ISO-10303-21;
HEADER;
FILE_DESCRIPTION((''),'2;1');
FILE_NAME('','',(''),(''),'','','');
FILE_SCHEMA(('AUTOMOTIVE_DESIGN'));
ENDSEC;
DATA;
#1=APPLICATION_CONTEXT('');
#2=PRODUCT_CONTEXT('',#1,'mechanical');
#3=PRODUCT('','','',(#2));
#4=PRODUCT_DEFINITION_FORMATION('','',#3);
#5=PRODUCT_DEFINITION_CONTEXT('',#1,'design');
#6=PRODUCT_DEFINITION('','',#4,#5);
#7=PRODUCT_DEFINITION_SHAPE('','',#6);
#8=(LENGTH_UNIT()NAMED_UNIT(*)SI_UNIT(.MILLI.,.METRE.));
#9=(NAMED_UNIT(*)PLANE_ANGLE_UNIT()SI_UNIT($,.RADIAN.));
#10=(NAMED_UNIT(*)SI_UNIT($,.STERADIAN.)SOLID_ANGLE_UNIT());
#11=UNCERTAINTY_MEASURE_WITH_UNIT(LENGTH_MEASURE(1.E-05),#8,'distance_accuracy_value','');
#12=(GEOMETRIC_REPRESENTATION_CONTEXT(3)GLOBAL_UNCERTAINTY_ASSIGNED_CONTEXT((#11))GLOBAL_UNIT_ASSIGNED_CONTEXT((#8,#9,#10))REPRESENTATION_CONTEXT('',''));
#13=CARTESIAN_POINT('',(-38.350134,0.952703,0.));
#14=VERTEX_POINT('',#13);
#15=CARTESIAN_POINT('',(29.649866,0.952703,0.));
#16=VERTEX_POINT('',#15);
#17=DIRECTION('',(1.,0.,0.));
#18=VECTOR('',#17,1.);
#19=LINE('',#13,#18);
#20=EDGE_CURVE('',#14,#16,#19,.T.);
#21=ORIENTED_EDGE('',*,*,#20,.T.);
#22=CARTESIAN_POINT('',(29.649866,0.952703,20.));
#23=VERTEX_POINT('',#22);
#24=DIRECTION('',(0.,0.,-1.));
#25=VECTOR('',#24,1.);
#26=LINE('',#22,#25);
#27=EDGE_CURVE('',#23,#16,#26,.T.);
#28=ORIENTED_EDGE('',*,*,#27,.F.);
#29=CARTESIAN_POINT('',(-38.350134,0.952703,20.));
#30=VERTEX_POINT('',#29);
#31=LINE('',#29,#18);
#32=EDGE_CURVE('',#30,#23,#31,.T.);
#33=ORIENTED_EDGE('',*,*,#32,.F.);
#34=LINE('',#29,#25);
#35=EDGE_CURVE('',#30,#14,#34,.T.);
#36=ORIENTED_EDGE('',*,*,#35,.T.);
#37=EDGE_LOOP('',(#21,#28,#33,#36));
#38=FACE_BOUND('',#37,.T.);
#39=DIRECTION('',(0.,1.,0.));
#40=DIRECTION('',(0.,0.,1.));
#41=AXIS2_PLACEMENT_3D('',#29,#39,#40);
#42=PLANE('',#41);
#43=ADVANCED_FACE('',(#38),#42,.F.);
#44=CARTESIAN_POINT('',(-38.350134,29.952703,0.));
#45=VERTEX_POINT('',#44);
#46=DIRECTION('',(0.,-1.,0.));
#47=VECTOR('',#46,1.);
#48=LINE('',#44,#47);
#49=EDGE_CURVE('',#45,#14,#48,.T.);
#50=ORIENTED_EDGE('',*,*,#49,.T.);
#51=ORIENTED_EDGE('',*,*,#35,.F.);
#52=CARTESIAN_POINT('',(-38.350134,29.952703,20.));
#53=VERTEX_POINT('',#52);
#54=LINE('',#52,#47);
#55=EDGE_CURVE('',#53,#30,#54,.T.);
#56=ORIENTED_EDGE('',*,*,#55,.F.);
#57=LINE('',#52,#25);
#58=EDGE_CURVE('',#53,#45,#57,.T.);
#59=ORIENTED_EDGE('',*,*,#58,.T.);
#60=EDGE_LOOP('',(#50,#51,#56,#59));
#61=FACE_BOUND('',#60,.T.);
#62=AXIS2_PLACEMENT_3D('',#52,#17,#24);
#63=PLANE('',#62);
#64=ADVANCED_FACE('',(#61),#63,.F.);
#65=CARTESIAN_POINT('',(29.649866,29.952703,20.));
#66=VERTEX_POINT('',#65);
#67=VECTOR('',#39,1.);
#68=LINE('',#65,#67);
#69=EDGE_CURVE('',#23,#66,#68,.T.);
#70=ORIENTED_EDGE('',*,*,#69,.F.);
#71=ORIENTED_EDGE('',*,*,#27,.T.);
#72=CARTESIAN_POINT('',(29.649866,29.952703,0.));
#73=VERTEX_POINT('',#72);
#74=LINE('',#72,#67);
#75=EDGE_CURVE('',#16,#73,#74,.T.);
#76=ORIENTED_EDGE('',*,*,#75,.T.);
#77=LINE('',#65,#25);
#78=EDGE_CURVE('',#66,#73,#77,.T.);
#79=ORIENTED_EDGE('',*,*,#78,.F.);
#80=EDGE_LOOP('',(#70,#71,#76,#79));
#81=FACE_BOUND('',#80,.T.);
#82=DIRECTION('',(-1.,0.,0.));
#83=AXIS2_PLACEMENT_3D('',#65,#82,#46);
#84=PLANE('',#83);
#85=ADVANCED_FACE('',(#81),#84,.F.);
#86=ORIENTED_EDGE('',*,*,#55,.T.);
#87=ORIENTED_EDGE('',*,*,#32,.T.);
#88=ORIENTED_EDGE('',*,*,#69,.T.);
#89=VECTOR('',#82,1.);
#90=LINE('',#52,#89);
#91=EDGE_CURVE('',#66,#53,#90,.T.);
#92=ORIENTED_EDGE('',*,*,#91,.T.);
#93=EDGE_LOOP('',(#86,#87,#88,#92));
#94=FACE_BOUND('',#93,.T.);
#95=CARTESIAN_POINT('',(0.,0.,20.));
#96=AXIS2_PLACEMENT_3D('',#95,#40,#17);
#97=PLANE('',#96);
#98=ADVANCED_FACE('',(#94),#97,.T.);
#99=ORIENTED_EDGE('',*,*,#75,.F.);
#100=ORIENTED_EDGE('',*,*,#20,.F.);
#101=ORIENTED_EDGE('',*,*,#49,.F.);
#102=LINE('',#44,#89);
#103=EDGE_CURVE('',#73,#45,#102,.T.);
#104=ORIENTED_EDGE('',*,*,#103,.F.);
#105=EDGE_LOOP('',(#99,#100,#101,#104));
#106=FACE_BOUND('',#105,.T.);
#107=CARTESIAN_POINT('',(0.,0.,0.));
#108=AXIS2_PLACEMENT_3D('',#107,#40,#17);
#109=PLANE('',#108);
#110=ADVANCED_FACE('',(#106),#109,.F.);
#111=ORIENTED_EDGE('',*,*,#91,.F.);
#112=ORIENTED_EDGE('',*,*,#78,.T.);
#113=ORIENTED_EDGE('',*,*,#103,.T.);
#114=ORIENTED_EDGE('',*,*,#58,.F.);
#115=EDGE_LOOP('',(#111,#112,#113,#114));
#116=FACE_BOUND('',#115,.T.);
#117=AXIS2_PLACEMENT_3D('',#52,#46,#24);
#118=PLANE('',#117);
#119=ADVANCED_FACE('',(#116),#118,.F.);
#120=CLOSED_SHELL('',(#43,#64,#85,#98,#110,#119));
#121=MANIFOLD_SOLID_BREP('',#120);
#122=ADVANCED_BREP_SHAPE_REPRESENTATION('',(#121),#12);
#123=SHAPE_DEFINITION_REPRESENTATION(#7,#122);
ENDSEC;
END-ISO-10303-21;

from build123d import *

# Parameters (mm, degrees)
CROQUIS1_W              = 68
CROQUIS1_H              = 29
SALIENTE_EXTRUIR1_DEPTH = 20


with BuildPart() as part:
    # Croquis1 → Saliente-Extruir1 (new body)
    with BuildSketch(Plane.XY):
        with Locations((-4.350133521, 15.452702703)):
            Rectangle(CROQUIS1_W, CROQUIS1_H)
    extrude(amount=SALIENTE_EXTRUIR1_DEPTH)


solid = part.part
